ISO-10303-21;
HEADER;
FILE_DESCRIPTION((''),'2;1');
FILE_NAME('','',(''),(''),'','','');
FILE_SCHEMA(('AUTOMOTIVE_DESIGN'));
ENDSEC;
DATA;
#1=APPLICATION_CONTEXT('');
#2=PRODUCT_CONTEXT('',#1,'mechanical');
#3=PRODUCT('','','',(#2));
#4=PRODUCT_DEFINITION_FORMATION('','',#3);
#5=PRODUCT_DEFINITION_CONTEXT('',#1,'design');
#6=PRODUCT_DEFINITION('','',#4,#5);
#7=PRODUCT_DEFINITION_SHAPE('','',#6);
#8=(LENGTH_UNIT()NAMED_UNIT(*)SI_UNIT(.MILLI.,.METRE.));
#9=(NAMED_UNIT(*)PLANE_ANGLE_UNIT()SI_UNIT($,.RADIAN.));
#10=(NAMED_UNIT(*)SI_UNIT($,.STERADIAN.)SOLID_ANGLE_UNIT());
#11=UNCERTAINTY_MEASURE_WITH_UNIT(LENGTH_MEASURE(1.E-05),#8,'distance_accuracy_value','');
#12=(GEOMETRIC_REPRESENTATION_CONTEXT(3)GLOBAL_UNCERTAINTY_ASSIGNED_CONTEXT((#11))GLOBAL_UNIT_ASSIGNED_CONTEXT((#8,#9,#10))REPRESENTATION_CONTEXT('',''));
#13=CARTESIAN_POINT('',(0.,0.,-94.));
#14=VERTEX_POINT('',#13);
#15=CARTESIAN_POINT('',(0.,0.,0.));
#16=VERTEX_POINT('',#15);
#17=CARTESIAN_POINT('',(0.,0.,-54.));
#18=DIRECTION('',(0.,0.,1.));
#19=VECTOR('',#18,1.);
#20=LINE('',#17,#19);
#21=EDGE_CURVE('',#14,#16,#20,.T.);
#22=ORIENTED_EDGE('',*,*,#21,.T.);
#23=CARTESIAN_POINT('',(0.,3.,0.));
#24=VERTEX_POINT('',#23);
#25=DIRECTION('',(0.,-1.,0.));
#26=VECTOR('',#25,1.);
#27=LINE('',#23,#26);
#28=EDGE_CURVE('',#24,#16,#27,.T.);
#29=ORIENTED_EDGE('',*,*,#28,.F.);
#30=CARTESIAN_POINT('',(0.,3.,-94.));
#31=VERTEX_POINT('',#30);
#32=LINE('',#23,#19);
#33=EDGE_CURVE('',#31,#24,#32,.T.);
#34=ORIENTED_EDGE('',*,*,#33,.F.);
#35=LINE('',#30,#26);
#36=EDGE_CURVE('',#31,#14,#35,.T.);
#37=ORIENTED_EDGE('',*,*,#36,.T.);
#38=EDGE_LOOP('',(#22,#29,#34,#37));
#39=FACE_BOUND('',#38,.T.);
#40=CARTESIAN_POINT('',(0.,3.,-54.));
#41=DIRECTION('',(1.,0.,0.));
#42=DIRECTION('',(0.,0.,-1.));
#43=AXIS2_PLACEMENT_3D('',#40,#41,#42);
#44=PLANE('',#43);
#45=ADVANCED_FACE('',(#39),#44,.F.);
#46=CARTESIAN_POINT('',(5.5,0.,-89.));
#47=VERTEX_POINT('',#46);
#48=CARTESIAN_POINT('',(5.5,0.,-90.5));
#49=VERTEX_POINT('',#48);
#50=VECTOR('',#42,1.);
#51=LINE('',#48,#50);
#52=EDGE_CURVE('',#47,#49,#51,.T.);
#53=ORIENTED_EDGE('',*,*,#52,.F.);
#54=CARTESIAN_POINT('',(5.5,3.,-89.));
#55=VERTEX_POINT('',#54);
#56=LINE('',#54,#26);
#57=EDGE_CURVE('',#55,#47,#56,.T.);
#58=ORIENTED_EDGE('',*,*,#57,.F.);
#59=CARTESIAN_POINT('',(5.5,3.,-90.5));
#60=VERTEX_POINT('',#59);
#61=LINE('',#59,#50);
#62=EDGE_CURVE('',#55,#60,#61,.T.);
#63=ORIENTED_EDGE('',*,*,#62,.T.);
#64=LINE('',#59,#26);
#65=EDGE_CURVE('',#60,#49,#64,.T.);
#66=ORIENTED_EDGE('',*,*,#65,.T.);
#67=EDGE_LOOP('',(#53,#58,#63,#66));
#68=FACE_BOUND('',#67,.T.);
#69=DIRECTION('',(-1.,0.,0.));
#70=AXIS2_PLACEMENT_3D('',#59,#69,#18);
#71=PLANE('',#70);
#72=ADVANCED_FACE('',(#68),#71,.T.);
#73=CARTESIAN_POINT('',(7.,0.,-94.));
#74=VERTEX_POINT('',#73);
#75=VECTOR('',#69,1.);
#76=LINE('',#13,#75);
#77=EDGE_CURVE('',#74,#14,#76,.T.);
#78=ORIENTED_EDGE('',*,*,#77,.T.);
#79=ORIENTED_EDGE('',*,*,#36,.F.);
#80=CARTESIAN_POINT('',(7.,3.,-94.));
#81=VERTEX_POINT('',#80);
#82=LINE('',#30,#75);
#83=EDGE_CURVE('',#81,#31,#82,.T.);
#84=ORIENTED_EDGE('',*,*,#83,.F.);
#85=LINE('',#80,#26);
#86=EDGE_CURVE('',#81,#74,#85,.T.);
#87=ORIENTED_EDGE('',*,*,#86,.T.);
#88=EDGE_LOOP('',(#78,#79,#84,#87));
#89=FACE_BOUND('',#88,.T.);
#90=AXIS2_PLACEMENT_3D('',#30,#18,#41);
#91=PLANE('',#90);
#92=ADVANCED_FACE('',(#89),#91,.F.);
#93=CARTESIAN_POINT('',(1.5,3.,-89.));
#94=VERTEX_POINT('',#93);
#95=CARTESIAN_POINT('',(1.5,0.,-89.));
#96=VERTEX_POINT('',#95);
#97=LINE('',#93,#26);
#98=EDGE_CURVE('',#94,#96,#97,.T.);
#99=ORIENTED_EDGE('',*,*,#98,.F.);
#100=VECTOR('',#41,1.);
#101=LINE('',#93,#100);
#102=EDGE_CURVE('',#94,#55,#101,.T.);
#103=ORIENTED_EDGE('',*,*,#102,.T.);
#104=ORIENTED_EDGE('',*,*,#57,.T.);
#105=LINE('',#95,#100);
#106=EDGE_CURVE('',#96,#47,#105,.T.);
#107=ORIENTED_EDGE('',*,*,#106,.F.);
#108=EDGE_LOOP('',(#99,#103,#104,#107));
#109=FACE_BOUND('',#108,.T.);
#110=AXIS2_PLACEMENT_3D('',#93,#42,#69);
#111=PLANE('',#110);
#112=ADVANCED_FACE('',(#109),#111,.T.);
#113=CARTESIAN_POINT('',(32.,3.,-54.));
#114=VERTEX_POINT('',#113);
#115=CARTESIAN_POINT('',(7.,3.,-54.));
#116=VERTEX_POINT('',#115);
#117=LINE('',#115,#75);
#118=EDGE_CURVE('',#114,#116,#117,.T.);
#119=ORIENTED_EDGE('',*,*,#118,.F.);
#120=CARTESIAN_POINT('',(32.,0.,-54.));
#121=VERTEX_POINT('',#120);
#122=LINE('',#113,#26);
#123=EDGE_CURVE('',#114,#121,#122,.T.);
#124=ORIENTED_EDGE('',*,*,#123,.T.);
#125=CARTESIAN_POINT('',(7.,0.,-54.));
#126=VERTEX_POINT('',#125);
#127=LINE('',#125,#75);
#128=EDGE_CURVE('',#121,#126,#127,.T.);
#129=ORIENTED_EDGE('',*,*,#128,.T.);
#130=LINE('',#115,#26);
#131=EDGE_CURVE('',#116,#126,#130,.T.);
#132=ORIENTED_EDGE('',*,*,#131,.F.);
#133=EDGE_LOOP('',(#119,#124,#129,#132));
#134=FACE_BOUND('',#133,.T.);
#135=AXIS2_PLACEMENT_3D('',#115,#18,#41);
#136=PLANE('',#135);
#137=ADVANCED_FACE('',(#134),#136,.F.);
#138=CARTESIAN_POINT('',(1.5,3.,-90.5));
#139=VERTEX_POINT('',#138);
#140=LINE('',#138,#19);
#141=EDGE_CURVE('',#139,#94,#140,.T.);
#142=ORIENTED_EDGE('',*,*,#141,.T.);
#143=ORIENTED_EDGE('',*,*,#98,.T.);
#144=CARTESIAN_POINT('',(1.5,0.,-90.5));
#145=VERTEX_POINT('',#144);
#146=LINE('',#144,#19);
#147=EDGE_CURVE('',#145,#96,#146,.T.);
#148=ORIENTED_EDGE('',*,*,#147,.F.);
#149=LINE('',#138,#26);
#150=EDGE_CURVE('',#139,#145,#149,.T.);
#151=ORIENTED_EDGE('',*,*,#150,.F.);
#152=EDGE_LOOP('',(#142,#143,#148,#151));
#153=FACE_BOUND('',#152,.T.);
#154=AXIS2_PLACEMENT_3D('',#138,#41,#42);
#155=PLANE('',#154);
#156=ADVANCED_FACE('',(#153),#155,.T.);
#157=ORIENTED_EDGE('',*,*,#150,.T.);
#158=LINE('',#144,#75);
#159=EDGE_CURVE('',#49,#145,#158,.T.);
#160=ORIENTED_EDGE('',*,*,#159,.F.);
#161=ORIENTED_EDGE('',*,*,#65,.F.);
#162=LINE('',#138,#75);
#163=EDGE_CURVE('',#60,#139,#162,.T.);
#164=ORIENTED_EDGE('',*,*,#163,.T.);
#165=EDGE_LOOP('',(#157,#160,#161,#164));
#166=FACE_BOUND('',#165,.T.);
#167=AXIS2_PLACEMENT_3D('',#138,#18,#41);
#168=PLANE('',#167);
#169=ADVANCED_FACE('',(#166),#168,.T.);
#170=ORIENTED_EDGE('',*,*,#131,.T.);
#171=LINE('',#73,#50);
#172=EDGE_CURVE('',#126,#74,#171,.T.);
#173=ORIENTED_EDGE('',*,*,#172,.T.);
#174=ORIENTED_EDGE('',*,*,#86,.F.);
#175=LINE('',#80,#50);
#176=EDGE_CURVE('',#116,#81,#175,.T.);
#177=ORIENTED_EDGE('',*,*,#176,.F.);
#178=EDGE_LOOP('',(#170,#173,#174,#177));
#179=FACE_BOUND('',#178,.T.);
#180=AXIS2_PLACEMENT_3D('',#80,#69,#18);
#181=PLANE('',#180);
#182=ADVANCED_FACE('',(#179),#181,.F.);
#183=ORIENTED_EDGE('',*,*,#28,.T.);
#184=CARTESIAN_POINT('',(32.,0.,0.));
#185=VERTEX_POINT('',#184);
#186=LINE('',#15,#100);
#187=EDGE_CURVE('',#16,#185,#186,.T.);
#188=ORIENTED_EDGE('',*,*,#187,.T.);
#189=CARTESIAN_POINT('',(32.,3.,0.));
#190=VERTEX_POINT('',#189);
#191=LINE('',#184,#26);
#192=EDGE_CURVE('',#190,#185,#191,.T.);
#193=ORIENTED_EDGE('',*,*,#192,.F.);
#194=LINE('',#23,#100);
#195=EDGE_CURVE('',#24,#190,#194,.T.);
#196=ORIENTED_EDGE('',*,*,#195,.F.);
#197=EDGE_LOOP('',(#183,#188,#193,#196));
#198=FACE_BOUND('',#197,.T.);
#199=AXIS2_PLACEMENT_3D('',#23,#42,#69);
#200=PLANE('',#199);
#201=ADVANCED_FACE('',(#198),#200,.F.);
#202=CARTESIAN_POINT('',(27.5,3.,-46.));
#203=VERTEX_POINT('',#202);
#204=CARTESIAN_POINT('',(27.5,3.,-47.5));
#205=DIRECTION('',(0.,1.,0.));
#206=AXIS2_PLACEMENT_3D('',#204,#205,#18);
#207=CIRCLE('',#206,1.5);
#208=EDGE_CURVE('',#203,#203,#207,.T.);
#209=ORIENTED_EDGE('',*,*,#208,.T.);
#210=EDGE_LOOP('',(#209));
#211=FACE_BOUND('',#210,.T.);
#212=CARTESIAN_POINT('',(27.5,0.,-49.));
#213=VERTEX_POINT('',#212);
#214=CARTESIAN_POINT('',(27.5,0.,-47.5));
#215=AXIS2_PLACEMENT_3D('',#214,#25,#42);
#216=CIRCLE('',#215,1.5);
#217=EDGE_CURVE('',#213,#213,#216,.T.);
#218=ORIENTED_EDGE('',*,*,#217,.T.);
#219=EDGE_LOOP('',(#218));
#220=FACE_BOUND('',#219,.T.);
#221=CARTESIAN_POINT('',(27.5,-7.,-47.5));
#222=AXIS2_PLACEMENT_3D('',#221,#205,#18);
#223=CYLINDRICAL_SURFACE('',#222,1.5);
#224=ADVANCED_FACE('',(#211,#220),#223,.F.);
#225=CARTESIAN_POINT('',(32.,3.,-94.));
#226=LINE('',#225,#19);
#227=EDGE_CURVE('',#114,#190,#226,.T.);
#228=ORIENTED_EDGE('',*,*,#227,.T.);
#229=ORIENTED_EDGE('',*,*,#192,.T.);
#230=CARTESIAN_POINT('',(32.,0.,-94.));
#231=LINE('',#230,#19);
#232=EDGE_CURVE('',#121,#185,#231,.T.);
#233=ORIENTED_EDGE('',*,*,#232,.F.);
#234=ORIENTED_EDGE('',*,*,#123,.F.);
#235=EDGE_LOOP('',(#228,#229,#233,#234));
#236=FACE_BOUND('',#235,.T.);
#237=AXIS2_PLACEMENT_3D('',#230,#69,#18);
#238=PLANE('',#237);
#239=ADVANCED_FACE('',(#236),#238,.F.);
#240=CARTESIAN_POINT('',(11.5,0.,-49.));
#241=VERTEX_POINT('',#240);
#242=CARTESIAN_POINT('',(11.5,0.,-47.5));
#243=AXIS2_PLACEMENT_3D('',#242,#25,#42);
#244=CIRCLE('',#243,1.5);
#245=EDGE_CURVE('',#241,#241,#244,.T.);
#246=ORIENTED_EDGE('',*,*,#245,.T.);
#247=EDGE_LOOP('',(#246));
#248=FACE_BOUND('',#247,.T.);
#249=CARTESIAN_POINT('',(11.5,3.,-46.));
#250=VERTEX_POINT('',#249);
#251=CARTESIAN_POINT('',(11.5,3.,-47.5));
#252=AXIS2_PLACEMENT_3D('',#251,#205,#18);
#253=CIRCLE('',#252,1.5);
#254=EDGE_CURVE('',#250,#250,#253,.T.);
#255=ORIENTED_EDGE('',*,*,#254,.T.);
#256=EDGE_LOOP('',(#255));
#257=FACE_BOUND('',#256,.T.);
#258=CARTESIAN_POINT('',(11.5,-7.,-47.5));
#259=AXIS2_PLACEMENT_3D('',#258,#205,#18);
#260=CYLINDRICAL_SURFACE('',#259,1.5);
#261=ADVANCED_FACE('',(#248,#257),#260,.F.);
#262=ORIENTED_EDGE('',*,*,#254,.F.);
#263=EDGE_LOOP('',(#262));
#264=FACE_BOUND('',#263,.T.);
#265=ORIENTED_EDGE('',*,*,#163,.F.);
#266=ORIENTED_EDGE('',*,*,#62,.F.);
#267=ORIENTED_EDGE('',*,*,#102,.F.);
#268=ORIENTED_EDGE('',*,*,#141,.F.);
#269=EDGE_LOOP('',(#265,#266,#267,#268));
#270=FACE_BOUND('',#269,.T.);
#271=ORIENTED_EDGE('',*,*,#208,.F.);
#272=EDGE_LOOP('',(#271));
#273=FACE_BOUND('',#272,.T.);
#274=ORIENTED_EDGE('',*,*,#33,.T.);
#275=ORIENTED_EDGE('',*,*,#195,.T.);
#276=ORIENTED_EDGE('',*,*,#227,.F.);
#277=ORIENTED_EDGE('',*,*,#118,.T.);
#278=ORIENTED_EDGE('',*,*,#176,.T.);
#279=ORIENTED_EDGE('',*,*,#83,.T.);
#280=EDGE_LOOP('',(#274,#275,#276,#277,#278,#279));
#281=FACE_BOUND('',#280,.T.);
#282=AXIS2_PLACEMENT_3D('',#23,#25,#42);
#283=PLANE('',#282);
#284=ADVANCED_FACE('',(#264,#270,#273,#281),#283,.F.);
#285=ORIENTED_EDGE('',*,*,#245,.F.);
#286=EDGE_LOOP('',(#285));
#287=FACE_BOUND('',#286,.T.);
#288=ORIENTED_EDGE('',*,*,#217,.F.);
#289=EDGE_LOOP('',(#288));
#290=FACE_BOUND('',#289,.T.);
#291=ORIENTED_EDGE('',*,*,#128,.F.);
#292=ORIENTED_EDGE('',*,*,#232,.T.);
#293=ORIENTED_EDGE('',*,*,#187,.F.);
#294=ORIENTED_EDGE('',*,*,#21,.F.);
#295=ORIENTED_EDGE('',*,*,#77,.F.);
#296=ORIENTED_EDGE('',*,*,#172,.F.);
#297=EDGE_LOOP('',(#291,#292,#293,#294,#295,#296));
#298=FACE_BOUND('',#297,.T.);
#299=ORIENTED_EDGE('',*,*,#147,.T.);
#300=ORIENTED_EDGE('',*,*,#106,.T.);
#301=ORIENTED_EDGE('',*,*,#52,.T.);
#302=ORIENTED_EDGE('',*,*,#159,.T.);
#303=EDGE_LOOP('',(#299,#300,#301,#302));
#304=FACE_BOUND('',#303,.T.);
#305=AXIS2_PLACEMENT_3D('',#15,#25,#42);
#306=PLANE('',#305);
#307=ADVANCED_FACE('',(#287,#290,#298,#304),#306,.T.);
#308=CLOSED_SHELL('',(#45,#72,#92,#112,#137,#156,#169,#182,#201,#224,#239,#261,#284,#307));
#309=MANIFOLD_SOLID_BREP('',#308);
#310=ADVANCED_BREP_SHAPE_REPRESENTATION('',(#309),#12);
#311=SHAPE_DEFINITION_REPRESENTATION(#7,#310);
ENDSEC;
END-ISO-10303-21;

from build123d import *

# Parameters (mm, degrees)
SKETCH1_W           = 4
SKETCH1_H           = 1.5
BOSS_EXTRUDE1_DEPTH = 3
SKETCH3_W           = 12
SKETCH3_H           = 3
CUT_EXTRUDE2_DEPTH  = 104.831594421
SKETCH6_R           = 1.5
CUT_EXTRUDE4_DEPTH  = 10


with BuildPart() as part:
    # Sketch1 → Boss-Extrude1 (new body)
    with BuildSketch(Plane(origin=(0, 0, 0), x_dir=(1, 0, 0), z_dir=(0, 1, 0))):
        Polygon((0, 54), (0, 94), (7, 94), (7, 54), (44, 54), (44, 0), (0, 0), align=None)
        with Locations((3.5, 89.75)):
            Rectangle(SKETCH1_W, SKETCH1_H, mode=Mode.SUBTRACT)
    extrude(amount=BOSS_EXTRUDE1_DEPTH)

    # Sketch3 → Cut-Extrude2 (cut, through all)
    with BuildSketch(Plane.XY):
        with Locations((38, 1.5)):
            Rectangle(SKETCH3_W, SKETCH3_H)
    extrude(amount=-CUT_EXTRUDE2_DEPTH, mode=Mode.SUBTRACT)

    # Sketch6 → Cut-Extrude4 (cut)
    with BuildSketch(Plane(origin=(0, 3, 0), x_dir=(1, 0, 0), z_dir=(0, 1, 0))):
        with Locations(Location((11.5, 47.5, 0), (0, 0, 270))):
            Circle(SKETCH6_R)
        with Locations(Location((27.5, 47.5, 0), (0, 0, 270))):
            Circle(SKETCH6_R)
    extrude(amount=-CUT_EXTRUDE4_DEPTH, mode=Mode.SUBTRACT)


solid = part.part
